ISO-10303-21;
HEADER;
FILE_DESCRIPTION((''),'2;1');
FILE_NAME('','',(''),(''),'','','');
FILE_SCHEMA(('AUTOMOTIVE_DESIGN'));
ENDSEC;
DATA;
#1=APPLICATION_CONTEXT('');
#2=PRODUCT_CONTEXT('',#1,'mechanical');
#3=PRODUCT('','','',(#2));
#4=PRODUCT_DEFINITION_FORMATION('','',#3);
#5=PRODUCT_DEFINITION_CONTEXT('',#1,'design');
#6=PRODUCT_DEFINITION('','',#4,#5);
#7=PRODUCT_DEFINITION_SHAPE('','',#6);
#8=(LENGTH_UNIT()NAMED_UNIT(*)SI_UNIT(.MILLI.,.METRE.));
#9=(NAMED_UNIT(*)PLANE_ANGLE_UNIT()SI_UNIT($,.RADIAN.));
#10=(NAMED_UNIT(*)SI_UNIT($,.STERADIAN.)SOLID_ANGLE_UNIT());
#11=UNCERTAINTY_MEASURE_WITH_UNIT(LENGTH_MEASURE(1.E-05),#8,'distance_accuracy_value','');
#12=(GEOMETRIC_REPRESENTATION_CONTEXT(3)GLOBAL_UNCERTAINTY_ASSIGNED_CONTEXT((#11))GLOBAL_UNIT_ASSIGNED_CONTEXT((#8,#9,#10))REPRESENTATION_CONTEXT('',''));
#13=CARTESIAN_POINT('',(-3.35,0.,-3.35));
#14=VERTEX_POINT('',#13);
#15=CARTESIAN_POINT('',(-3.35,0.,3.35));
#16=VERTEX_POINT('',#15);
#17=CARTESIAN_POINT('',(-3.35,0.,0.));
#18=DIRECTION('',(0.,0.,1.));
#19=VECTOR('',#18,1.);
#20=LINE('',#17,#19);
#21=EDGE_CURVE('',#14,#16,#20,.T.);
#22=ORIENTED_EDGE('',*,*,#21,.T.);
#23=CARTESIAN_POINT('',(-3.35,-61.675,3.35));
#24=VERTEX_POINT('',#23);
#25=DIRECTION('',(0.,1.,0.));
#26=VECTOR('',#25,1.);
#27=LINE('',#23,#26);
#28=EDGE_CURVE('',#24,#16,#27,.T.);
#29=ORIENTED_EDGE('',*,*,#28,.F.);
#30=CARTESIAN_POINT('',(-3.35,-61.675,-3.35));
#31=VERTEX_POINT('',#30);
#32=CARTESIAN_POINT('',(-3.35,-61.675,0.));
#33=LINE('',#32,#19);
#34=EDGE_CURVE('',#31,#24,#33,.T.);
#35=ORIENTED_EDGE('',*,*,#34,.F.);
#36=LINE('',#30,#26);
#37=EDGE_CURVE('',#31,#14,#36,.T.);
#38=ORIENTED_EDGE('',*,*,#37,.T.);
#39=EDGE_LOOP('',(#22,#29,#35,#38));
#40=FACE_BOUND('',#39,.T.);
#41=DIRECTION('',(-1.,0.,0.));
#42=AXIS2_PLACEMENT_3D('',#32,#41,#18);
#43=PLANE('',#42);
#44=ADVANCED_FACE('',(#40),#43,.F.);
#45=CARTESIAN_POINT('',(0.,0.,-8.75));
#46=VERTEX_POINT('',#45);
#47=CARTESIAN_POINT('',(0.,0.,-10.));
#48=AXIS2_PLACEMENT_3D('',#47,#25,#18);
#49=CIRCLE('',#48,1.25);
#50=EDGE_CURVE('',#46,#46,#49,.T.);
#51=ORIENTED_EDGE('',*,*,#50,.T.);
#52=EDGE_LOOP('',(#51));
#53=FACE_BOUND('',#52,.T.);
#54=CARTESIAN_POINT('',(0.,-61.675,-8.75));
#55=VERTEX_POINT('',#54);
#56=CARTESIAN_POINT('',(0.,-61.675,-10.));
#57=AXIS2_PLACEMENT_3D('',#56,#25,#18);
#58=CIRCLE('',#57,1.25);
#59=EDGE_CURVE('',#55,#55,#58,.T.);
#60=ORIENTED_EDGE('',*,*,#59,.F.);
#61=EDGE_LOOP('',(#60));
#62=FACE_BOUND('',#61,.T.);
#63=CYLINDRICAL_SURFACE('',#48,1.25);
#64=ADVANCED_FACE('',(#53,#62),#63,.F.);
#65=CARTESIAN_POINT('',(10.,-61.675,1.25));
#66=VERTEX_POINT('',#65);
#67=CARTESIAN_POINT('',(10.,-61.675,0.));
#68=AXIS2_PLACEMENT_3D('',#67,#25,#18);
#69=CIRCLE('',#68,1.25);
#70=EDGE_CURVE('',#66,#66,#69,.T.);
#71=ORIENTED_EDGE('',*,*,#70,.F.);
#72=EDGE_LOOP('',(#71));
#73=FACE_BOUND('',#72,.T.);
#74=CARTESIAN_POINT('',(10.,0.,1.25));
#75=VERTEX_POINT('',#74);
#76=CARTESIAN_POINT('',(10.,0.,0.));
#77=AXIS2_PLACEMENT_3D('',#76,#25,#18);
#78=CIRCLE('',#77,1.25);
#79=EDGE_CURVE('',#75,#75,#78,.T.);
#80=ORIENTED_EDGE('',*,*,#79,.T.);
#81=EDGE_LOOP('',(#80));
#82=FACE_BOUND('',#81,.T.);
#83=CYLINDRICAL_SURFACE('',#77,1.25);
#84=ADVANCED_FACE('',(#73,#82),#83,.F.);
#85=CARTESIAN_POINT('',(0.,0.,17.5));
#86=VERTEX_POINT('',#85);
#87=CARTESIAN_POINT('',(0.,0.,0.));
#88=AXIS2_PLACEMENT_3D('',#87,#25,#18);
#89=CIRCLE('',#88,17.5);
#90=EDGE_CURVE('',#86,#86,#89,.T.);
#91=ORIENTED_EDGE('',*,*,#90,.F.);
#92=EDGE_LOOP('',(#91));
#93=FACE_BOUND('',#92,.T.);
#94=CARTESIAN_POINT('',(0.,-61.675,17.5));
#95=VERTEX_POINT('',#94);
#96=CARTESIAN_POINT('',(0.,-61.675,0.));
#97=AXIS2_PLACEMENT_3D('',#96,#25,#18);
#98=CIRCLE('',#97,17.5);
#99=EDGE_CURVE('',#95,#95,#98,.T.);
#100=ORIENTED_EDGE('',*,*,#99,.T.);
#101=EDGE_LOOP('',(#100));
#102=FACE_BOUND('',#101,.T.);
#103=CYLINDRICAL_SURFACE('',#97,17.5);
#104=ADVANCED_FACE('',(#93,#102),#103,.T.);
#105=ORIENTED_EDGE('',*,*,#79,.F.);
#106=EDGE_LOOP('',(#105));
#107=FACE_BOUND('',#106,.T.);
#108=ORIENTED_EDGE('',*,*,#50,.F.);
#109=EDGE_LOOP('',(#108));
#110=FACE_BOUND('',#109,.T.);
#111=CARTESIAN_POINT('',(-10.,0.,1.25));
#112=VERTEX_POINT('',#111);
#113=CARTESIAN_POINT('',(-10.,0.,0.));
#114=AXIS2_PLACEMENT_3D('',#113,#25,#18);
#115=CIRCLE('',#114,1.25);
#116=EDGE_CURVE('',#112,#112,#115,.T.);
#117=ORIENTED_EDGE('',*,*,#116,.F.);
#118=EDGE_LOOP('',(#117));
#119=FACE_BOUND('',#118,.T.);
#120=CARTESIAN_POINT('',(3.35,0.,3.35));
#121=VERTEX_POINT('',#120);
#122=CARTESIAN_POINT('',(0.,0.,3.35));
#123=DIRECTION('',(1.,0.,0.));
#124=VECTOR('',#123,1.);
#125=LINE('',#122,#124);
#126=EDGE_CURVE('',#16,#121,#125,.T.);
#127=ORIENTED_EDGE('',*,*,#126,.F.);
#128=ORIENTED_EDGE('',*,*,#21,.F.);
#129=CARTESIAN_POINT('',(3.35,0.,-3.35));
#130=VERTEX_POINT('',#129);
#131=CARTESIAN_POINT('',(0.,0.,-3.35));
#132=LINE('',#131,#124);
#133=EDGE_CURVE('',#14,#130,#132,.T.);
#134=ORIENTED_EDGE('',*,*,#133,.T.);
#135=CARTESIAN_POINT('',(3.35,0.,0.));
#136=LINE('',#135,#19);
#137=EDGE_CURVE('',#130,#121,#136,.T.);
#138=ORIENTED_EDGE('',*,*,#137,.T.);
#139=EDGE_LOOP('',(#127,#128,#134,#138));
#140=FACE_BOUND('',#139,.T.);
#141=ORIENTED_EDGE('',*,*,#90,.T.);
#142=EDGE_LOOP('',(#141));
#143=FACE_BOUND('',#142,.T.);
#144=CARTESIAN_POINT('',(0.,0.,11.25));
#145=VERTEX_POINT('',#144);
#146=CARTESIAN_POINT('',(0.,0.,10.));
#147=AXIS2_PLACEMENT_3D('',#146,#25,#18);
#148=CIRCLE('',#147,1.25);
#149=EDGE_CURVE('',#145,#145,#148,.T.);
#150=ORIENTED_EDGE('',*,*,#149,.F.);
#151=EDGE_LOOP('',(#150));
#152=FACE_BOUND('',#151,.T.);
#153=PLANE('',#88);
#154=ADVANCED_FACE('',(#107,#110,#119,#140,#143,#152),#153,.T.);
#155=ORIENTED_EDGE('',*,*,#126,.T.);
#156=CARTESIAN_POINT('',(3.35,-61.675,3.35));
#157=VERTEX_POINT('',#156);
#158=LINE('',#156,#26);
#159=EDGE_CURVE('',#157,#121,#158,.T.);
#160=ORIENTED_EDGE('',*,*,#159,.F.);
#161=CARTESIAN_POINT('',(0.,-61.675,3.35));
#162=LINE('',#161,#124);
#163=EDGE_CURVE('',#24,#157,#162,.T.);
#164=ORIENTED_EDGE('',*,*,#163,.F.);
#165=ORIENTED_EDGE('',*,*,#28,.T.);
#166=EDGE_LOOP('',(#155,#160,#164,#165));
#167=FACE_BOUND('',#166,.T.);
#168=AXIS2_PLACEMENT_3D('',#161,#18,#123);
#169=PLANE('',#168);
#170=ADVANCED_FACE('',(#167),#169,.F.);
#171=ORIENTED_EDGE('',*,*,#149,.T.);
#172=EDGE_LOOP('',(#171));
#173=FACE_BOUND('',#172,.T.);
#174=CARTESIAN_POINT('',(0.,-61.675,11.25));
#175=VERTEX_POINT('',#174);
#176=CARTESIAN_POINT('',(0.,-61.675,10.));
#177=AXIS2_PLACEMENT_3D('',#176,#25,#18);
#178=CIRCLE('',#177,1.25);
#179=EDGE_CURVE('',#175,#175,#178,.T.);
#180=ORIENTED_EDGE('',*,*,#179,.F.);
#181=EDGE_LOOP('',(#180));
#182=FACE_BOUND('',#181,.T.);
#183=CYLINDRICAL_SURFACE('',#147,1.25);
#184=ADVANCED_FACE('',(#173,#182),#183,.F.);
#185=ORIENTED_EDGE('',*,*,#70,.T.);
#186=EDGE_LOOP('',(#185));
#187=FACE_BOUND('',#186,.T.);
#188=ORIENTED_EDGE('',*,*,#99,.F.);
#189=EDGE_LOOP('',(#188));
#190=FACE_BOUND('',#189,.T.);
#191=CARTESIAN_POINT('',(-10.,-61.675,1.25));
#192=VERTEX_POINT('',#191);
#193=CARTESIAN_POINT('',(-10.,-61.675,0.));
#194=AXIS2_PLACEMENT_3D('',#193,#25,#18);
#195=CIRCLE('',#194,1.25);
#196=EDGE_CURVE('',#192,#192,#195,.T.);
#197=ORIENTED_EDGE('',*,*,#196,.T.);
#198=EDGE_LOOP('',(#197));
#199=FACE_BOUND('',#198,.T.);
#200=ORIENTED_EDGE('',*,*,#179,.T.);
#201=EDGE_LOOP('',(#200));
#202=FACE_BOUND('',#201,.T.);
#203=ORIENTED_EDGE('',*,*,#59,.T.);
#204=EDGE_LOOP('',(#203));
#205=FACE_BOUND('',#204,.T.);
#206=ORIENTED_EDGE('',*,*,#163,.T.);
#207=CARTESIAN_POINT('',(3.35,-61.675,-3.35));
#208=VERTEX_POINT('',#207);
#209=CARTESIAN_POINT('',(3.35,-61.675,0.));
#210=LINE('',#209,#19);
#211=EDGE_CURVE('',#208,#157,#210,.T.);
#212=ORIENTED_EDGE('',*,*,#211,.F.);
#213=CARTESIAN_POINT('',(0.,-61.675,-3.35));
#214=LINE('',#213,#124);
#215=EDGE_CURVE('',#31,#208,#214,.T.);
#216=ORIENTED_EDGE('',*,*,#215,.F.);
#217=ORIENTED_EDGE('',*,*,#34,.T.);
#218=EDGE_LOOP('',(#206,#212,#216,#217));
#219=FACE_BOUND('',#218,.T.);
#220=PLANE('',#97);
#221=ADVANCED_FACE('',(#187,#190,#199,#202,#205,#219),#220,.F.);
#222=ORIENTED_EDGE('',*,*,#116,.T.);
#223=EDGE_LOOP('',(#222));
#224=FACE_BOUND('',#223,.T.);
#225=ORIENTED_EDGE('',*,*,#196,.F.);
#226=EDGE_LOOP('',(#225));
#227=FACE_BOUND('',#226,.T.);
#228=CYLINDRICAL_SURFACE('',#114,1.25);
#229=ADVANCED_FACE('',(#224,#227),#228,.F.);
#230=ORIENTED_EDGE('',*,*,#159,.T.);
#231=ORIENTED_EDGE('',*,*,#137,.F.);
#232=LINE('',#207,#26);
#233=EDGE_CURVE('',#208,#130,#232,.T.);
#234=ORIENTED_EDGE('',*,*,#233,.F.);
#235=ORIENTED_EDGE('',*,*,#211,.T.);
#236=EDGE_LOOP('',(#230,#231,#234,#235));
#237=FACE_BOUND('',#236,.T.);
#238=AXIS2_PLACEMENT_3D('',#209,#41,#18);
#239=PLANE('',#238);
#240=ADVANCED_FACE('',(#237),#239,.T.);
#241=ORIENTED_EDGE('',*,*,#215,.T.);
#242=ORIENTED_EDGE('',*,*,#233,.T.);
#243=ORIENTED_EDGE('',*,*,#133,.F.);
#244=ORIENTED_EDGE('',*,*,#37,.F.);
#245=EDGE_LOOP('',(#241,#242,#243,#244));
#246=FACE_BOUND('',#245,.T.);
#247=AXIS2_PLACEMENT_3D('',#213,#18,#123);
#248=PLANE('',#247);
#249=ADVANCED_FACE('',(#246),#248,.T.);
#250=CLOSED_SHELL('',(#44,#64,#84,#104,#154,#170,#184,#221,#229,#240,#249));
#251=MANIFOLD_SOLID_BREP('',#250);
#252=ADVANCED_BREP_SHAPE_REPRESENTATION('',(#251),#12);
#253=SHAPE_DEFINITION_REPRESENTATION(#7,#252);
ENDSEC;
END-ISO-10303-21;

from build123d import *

# Parameters (mm, degrees)
SKETCH1_W                   = 6.7
SKETCH1_H                   = 6.7
BOSS_EXTRUDE1_DEPTH         = 61.675
TAP_DRILL_FOR_M3X0_5_TAP1_D = 2.5


with BuildPart() as part:
    # Sketch1 → Boss-Extrude1 (new body)
    # profile 1 of 2: a face of its own
    with BuildSketch(Plane(origin=(0, 0, 0), x_dir=(1, 0, 0), z_dir=(0, 1, 0))):
        with BuildLine():
            ThreePointArc((0, -17.5), (12.374368671, -12.374368671), (17.5, 0))
            ThreePointArc((17.5, 0), (7.362522242, -7.362522242), (0, -17.5))
        make_face()
    # profile 2 of 2: a face of its own
    with BuildSketch(Plane(origin=(0, 0, 0), x_dir=(1, 0, 0), z_dir=(0, 1, 0))):
        with BuildLine():
            ThreePointArc((0, -17.5), (7.362522242, -7.362522242), (17.5, 0))
            ThreePointArc((17.5, 0), (-12.374368671, 12.374368671), (0, -17.5))
        make_face()
        Rectangle(SKETCH1_W, SKETCH1_H, mode=Mode.SUBTRACT)
    extrude(amount=-BOSS_EXTRUDE1_DEPTH)

    # Tap Drill for M3x0.5 Tap1 (through all)
    with Locations(Plane(origin=(0, 0, -10), x_dir=(0, 0, 1), z_dir=(0, 1, 0))):
        with Locations((0, 0), (10, 10), (10, -10), (20, 0)):
            Hole(TAP_DRILL_FOR_M3X0_5_TAP1_D / 2)


solid = part.part
